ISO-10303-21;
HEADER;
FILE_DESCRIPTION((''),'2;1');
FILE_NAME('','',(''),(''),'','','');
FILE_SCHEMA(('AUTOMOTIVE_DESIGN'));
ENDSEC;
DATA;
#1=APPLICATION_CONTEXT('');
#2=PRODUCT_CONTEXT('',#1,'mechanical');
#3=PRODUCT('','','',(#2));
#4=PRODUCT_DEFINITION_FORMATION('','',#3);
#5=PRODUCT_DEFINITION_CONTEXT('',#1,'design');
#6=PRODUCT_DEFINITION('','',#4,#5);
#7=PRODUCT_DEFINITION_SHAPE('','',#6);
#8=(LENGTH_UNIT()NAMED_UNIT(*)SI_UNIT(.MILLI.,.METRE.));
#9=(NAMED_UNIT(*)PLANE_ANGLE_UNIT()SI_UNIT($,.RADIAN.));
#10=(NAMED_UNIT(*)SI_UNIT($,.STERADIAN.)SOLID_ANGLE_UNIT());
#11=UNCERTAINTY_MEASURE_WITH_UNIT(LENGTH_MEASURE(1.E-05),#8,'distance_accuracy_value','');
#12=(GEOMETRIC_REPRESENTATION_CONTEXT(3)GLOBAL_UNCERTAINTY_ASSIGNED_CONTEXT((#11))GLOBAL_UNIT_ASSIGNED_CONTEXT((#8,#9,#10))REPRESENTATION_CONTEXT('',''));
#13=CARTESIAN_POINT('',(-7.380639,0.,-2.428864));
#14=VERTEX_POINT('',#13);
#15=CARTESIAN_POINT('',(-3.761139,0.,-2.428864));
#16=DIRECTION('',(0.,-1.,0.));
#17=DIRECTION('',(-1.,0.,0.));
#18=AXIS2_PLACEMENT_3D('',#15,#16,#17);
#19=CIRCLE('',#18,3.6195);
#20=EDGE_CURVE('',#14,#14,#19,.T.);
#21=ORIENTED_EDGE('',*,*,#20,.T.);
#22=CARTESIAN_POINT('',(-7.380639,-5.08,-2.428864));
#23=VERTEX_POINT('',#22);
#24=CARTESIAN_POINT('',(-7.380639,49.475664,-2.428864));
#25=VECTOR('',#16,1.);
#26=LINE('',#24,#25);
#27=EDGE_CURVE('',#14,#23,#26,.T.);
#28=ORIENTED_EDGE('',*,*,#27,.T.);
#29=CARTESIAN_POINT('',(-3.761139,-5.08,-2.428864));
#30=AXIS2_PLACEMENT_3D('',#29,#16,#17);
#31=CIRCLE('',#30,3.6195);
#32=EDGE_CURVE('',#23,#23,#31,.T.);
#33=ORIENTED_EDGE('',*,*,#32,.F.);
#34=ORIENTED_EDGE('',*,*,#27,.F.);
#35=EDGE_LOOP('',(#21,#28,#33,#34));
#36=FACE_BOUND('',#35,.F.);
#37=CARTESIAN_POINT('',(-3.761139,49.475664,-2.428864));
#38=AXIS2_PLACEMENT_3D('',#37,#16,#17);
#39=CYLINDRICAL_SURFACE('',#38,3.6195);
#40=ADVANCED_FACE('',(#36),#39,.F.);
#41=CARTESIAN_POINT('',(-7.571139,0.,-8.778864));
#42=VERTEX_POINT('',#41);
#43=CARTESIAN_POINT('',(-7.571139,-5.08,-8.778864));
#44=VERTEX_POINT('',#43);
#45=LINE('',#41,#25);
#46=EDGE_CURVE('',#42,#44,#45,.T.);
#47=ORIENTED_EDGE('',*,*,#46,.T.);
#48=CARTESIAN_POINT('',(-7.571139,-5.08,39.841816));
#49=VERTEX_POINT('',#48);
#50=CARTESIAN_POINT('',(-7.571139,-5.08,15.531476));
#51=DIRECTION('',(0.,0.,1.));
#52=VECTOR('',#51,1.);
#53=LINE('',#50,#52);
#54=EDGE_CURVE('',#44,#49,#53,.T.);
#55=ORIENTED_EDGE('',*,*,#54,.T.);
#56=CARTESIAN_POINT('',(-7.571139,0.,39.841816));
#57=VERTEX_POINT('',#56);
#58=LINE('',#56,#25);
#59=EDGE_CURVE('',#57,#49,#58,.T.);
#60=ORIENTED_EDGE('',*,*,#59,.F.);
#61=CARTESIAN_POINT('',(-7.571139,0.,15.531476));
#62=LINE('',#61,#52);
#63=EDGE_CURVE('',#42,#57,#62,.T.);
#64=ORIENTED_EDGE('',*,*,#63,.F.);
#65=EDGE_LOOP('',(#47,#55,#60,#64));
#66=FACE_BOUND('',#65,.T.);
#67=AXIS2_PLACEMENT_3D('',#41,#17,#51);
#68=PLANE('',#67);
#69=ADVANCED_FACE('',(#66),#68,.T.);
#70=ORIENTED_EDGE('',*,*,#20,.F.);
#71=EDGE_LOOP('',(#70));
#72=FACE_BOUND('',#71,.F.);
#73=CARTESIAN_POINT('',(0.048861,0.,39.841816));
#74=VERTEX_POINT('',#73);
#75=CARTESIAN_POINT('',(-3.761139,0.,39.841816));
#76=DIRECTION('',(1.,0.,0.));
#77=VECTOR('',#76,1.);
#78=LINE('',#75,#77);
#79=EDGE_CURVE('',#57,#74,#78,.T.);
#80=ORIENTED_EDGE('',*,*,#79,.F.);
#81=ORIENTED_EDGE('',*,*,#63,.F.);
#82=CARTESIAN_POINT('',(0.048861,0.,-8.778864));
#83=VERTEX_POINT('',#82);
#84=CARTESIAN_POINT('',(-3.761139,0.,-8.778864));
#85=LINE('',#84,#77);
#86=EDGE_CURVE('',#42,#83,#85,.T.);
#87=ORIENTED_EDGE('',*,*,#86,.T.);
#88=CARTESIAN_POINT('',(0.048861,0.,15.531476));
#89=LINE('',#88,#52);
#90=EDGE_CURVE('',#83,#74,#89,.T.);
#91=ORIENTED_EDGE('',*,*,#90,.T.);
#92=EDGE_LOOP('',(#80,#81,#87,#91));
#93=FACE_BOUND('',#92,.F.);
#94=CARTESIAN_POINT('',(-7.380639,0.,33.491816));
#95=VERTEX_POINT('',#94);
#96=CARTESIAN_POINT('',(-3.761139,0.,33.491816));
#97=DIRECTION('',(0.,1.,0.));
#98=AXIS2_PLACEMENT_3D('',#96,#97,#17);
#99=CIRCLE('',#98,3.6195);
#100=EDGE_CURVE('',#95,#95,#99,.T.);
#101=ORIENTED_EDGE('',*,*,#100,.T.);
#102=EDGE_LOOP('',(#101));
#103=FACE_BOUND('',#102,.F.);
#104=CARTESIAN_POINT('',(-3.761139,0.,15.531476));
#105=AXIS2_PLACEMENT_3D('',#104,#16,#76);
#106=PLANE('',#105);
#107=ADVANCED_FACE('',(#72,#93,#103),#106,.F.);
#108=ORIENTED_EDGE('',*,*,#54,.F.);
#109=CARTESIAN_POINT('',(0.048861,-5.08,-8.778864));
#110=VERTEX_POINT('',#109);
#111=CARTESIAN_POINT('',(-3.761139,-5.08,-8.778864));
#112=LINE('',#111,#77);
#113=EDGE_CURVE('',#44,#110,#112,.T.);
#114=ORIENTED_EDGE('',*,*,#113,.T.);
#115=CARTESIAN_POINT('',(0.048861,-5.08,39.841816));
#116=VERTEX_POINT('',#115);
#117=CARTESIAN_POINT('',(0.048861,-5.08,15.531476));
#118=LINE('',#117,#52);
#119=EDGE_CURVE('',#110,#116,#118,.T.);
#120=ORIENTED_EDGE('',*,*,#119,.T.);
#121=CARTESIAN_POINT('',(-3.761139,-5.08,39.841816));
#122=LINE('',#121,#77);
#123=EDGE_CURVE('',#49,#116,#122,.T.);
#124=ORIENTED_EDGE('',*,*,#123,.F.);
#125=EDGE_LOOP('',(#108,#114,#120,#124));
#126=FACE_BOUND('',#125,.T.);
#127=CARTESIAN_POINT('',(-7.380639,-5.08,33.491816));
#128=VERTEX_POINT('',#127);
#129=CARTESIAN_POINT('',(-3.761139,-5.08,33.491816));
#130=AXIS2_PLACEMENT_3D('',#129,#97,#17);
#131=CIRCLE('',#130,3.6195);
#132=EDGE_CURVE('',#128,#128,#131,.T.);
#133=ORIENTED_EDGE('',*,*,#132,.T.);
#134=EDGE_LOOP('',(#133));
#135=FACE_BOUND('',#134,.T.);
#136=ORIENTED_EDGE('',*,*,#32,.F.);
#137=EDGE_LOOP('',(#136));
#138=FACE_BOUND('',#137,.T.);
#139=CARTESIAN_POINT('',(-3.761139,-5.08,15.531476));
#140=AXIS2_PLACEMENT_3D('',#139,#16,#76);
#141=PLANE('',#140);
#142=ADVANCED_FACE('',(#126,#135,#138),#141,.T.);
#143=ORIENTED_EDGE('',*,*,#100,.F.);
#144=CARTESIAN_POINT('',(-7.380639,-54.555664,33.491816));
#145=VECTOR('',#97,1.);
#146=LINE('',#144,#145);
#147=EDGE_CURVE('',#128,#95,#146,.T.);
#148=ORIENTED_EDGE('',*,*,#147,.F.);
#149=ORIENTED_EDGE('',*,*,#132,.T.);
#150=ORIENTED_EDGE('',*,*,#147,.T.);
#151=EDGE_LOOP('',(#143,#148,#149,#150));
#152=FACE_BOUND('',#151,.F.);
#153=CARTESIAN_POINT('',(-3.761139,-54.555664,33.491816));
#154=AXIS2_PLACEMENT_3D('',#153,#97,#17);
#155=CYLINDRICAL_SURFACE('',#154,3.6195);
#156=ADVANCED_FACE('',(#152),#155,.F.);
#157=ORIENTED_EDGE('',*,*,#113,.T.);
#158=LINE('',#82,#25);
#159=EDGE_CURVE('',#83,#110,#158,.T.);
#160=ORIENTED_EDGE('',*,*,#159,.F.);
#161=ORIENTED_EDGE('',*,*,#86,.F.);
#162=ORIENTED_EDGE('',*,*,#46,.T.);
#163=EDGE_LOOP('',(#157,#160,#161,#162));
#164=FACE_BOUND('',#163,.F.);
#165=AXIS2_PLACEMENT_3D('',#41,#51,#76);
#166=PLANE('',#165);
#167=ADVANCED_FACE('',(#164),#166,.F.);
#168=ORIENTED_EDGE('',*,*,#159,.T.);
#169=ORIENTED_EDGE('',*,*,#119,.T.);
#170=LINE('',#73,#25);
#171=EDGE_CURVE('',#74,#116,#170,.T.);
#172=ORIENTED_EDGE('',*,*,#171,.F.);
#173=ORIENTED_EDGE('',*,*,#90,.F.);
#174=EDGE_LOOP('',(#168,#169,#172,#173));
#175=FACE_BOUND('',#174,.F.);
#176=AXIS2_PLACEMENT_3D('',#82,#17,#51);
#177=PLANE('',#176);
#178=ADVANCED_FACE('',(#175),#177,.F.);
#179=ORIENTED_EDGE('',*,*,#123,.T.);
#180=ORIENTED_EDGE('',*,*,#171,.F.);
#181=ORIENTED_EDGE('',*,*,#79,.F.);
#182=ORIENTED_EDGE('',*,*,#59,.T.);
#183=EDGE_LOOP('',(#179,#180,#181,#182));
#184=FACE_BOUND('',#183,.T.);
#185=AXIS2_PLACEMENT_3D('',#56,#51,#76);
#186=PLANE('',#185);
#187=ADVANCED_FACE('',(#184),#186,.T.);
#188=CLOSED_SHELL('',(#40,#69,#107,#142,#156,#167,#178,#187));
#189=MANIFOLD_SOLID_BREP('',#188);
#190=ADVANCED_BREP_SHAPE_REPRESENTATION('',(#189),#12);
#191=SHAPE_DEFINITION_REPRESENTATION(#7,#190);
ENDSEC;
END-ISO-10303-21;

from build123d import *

# Parameters (mm, degrees)
F0_W     = 7.62
F0_H     = 48.62068
F1_DEPTH = 5.08
F4_D     = 7.239
F5_D     = 7.239


with BuildPart() as f1:
    # F0 (on Front) → F1 (new body)
    with BuildSketch(Plane.XZ):
        with Locations((-3.7611387034, 15.5314761981)):
            Rectangle(F0_W, F0_H)
    extrude(amount=F1_DEPTH)

    # F4 (through all)
    with Locations(Plane.XZ.offset(5.08)):
        with Locations((-3.7611387034, 33.4918161981)):
            Hole(F4_D / 2)

    # F5 (through all)
    with Locations(Plane(origin=(0, 0, 0), x_dir=(1, 0, 0), z_dir=(0, 1, 0))):
        with Locations((-3.7611387034, 2.4288638019)):
            Hole(F5_D / 2)


solid = f1.part
